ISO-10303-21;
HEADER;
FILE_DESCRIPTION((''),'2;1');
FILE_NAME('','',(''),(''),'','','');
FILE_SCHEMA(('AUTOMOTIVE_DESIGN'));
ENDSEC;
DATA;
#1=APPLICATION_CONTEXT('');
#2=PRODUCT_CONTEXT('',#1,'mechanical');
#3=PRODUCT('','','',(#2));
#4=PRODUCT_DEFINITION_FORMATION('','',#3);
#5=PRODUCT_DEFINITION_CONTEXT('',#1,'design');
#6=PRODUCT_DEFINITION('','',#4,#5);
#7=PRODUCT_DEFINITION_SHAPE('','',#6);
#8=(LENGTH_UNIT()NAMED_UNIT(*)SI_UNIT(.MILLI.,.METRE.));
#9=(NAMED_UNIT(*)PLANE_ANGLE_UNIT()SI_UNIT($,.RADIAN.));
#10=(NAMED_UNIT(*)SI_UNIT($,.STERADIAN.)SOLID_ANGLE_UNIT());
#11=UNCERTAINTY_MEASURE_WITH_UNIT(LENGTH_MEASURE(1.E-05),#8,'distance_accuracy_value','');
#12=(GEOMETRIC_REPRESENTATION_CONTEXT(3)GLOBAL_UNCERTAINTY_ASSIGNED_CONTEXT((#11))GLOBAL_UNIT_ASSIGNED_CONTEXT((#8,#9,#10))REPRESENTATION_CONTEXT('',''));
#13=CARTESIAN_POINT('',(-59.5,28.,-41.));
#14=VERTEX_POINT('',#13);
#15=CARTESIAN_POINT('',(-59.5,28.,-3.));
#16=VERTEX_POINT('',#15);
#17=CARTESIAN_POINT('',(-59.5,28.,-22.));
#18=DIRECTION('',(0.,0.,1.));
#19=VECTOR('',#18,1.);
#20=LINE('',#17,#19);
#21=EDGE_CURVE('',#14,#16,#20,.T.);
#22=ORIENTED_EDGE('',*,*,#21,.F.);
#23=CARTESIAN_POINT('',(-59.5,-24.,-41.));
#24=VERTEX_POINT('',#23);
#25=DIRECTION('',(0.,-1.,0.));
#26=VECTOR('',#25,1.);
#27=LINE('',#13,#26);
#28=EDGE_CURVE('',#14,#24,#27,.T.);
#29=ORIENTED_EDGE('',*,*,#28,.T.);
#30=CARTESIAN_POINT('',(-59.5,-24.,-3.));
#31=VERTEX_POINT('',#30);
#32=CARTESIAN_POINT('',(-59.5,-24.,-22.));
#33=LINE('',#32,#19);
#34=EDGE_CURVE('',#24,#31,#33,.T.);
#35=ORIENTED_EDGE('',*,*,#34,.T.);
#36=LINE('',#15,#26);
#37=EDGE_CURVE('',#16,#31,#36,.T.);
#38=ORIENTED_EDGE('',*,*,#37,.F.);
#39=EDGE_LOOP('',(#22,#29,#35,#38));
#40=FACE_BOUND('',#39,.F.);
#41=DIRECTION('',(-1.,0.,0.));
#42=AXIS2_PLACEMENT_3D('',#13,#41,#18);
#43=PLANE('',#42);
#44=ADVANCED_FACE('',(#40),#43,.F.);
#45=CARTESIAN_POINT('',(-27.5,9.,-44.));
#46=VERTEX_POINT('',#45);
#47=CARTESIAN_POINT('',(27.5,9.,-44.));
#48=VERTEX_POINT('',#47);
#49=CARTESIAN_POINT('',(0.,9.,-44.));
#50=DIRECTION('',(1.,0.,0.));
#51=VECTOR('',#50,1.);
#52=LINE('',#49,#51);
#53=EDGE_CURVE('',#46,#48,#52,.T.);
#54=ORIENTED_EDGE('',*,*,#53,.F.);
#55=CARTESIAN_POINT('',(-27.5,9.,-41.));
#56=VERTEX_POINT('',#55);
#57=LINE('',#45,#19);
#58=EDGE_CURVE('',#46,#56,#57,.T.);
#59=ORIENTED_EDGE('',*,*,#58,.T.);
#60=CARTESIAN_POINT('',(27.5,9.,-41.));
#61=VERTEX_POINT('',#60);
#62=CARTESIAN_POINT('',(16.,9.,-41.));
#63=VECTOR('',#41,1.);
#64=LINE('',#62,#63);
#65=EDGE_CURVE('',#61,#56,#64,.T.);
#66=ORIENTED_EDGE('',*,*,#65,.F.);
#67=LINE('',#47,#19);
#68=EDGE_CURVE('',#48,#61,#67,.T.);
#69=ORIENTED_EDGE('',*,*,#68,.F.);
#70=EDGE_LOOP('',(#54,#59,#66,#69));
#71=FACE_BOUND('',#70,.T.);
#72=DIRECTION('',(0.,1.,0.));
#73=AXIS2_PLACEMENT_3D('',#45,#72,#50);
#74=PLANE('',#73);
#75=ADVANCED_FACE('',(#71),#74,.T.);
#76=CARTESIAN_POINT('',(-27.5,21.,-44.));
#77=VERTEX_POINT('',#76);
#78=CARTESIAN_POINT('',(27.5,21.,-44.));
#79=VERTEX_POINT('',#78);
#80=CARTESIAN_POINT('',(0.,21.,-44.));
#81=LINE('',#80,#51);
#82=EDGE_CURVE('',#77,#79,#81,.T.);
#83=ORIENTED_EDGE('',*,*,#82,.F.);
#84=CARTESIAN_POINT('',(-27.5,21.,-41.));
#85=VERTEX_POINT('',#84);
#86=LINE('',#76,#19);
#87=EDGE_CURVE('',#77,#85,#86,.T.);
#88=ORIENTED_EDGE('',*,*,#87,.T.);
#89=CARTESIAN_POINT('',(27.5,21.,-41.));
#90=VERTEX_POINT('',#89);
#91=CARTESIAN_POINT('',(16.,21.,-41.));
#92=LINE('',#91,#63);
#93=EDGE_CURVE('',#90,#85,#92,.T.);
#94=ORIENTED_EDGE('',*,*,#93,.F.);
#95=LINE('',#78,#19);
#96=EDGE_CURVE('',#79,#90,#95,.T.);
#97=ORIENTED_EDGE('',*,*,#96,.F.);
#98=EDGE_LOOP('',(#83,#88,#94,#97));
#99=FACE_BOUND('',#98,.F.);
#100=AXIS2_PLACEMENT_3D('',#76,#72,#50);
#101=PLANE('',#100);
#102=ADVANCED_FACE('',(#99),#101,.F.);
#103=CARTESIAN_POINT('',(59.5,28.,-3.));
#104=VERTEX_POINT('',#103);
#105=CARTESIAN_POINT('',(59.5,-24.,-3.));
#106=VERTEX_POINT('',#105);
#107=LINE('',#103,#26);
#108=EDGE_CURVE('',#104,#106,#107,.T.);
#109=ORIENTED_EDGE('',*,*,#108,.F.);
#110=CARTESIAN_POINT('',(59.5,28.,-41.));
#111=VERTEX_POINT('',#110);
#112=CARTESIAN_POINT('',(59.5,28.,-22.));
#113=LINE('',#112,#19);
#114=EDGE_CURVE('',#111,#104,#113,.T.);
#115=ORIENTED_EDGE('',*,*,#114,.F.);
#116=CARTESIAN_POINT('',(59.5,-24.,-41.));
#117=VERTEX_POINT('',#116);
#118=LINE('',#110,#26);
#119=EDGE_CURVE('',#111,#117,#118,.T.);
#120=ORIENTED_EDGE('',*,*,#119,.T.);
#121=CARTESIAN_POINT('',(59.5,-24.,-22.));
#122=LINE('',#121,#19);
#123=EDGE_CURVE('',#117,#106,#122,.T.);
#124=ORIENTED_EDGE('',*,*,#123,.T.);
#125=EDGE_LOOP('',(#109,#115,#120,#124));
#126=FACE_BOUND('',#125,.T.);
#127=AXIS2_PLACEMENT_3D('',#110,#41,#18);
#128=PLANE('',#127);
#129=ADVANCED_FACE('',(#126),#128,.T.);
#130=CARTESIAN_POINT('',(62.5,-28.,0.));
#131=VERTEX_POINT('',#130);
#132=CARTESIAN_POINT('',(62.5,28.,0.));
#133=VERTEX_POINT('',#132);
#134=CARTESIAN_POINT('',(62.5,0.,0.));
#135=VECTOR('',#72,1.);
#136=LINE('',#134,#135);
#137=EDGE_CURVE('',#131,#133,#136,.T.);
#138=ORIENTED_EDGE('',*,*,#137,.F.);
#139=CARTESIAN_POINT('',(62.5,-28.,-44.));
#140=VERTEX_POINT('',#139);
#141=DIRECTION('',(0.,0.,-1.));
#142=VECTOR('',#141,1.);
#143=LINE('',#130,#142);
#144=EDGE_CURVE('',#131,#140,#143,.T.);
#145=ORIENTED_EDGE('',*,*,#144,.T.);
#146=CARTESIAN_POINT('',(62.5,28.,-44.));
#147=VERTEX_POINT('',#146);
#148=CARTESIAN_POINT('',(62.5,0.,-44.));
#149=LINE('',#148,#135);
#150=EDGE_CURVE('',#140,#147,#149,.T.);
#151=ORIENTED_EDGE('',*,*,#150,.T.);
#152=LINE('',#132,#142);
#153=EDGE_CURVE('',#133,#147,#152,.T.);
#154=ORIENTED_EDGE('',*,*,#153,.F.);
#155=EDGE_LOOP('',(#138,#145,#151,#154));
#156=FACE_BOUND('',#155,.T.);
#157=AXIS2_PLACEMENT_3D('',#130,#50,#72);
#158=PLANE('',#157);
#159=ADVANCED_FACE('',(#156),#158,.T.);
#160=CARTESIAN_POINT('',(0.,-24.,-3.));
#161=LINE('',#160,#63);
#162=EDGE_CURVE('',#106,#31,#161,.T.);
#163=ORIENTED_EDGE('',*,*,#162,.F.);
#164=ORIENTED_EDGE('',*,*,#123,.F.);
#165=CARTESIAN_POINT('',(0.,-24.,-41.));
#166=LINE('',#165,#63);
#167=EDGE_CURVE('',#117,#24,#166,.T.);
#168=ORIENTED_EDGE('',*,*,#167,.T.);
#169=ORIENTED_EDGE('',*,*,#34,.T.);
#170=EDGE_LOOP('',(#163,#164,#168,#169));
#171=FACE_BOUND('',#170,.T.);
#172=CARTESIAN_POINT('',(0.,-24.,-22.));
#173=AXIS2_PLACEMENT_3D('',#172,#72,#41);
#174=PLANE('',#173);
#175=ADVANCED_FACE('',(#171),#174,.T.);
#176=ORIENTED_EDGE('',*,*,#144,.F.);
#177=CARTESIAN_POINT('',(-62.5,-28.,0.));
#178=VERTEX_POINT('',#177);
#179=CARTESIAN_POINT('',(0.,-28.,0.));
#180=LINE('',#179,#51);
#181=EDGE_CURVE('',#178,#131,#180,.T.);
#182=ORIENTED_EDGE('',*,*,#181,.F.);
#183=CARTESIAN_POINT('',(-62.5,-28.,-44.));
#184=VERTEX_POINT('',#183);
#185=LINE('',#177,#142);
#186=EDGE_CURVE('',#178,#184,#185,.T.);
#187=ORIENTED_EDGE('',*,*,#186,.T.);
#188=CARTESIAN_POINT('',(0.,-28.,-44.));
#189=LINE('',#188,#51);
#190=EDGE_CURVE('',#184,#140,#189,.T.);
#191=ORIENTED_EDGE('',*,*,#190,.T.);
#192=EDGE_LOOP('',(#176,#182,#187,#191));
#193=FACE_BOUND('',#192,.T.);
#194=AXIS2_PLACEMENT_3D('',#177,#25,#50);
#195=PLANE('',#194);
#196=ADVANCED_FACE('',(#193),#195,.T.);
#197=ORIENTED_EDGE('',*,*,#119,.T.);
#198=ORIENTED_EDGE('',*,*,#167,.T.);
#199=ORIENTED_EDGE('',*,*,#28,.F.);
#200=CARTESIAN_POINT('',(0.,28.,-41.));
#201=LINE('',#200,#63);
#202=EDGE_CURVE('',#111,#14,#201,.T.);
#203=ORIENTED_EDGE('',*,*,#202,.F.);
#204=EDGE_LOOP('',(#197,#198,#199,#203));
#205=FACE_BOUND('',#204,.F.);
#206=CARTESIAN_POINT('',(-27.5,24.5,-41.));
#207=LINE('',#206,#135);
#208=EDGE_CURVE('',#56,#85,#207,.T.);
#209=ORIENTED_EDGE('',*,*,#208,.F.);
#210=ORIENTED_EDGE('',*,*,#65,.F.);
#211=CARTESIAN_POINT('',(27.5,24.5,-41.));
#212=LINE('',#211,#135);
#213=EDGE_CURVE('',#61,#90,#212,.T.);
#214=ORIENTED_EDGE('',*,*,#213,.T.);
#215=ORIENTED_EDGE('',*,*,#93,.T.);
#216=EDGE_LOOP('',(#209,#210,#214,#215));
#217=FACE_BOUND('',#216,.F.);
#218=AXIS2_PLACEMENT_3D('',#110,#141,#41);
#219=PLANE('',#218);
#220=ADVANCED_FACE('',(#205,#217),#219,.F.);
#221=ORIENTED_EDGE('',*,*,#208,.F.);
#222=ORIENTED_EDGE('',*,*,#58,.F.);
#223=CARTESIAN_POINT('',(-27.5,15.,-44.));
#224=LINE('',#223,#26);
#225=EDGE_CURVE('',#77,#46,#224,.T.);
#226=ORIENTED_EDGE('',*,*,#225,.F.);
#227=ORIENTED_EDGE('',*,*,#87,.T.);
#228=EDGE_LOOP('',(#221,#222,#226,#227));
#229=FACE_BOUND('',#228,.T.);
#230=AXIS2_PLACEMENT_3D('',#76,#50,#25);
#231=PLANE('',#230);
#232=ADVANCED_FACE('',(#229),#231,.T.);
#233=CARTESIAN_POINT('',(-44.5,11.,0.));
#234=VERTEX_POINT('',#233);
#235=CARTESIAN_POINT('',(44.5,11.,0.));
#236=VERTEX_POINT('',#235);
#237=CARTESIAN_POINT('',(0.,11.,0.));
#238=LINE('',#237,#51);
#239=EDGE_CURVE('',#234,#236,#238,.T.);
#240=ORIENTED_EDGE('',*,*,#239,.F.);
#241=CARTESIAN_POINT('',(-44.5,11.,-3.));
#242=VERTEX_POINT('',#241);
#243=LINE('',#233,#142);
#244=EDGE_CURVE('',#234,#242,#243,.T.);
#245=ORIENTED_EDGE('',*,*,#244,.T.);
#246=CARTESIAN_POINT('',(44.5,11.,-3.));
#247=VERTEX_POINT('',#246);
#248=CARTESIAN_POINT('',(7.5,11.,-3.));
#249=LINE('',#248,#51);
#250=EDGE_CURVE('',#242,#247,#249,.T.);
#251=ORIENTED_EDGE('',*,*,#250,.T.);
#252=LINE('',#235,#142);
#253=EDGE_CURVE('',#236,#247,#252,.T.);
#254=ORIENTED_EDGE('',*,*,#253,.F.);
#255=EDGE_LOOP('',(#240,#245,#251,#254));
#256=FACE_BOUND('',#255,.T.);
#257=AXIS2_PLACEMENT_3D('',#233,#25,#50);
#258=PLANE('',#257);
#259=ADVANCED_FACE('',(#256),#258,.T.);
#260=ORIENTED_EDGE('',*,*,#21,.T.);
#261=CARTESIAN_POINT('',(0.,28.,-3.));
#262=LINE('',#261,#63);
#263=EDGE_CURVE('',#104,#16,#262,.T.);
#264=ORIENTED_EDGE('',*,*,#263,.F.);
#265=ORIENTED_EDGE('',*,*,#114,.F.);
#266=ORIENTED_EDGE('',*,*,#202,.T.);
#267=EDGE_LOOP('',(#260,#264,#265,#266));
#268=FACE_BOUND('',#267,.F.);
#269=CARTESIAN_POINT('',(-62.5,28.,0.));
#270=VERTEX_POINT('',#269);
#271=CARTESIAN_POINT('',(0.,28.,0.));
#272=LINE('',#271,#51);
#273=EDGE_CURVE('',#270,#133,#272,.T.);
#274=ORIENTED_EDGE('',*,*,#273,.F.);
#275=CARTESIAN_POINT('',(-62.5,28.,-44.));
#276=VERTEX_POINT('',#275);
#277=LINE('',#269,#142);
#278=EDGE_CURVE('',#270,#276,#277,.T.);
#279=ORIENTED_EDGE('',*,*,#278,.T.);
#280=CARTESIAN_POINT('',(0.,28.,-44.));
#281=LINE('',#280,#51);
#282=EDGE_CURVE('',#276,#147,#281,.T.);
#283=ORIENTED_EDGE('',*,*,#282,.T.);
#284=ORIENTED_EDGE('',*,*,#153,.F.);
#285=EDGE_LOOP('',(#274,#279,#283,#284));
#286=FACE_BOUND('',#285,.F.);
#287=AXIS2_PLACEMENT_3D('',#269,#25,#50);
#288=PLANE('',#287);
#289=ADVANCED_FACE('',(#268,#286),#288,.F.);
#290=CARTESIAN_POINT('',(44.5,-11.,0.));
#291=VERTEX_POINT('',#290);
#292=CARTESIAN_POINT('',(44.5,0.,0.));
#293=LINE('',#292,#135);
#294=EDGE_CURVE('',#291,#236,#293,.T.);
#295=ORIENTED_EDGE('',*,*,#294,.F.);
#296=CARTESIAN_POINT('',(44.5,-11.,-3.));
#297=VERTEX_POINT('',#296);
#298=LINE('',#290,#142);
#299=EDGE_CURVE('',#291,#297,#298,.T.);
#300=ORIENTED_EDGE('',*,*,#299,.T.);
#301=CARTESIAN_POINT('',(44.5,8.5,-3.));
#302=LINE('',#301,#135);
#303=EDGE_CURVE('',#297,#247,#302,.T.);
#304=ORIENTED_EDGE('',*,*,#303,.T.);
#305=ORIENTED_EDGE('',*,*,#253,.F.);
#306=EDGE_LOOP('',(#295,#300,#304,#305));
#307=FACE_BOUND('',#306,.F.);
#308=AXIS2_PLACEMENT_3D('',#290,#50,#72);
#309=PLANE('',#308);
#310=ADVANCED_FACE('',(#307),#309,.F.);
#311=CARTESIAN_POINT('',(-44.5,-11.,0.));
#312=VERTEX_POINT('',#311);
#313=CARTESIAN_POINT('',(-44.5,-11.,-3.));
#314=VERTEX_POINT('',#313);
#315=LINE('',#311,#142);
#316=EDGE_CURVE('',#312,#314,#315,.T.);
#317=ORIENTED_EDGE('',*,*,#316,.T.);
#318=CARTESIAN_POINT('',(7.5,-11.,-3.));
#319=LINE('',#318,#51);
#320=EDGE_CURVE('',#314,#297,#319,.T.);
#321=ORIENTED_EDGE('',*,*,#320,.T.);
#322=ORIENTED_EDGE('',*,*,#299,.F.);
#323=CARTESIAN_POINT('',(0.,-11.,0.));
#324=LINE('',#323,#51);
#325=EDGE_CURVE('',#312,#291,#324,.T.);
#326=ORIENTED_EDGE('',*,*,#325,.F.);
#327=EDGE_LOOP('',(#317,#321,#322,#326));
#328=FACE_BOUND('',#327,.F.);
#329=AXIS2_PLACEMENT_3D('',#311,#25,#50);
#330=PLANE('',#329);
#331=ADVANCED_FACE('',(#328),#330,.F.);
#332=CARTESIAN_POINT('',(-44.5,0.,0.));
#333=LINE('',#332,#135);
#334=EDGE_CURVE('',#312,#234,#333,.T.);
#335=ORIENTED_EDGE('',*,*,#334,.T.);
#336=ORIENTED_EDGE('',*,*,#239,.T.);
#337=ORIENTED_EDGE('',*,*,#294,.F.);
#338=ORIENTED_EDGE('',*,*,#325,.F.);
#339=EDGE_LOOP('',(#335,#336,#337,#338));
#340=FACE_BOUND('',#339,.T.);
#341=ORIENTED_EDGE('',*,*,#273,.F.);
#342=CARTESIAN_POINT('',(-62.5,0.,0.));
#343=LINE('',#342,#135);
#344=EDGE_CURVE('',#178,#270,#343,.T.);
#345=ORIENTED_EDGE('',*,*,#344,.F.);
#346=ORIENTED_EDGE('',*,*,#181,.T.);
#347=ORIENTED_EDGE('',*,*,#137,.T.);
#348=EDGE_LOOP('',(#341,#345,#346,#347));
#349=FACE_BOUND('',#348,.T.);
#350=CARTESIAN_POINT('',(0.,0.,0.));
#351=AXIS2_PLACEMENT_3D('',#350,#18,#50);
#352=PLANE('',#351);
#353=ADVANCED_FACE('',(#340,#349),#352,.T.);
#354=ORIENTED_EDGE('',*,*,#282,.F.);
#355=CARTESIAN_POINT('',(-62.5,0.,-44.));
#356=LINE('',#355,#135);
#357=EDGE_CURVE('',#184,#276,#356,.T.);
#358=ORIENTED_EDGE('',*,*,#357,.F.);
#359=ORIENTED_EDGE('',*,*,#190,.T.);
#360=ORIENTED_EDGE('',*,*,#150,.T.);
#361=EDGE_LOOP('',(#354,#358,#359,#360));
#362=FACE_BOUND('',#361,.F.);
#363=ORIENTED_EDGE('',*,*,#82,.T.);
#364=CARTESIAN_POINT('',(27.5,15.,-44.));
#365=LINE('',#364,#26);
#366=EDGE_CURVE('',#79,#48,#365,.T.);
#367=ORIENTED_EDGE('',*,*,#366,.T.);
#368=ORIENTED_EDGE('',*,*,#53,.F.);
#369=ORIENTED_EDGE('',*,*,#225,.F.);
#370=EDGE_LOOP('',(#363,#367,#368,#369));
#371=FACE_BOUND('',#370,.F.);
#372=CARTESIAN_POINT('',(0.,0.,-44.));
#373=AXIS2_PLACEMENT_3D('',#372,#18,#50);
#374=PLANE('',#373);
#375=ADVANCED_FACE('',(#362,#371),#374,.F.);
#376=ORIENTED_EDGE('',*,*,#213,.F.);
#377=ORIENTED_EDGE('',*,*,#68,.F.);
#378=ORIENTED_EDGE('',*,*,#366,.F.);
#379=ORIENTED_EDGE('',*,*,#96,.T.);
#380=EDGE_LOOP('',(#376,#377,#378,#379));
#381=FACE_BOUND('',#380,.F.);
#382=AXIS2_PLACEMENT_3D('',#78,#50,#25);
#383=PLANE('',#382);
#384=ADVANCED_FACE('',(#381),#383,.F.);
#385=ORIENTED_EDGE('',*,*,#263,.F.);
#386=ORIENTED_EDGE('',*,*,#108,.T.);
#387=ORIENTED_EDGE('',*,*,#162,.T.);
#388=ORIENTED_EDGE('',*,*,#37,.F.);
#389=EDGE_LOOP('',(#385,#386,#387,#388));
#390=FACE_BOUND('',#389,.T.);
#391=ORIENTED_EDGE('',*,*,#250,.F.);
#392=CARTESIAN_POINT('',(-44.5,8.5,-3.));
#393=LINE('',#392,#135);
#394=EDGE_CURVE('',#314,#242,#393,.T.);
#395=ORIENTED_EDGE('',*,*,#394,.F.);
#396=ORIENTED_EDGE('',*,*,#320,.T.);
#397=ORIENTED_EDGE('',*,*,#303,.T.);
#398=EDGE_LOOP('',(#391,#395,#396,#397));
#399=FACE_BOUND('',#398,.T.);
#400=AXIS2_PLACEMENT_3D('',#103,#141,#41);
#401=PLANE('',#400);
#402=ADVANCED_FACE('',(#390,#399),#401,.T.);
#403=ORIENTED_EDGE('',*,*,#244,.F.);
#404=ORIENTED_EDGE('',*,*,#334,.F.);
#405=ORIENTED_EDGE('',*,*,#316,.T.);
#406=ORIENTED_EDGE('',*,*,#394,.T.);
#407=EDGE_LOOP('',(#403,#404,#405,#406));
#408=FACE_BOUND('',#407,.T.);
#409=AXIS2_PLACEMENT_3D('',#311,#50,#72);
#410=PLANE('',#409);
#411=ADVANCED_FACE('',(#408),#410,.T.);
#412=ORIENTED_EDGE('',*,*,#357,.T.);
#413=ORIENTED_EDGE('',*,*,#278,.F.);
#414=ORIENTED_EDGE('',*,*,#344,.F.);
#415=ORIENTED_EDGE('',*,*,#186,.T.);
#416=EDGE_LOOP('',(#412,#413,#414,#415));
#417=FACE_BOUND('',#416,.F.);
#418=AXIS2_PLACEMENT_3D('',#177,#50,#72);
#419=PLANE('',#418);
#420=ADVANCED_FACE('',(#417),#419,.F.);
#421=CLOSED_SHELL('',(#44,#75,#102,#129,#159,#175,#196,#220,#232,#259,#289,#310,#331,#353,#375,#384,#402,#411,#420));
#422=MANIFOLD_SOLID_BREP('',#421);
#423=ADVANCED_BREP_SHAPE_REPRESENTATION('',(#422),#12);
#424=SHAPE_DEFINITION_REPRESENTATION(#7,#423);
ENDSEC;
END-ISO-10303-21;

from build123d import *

# Parameters (mm, degrees)
F0_W     = 125
F0_H     = 56
F1_DEPTH = 44
F3_W     = 55
F3_H     = 12
F4_DEPTH = 13
F2_W     = 89
F2_H     = 22
F5_DEPTH = 17
F6_W     = 119
F6_H     = 38
F7_DEPTH = 52


with BuildPart() as f1:
    # F0 (on Top) → F1 (new body)
    with BuildSketch(Plane.XY):
        Rectangle(F0_W, F0_H)
    extrude(amount=-F1_DEPTH)

    # F3 (on face) → F4 (cut)
    with BuildSketch(Plane(origin=(0, 0, -44), x_dir=(1, 0, 0), z_dir=(0, 0, -1))):
        with Locations((0, -15)):
            Rectangle(F3_W, F3_H)
    extrude(amount=-F4_DEPTH, mode=Mode.SUBTRACT)

    # F2 (on face) → F5 (cut)
    with BuildSketch(Plane.XY):
        Rectangle(F2_W, F2_H)
    extrude(amount=-F5_DEPTH, mode=Mode.SUBTRACT)

    # F6 (on face) → F7 (cut)
    with BuildSketch(Plane(origin=(0, 28, 0), x_dir=(-1, 0, 0), z_dir=(0, 1, 0))):
        with Locations((0, -22)):
            Rectangle(F6_W, F6_H)
    extrude(amount=-F7_DEPTH, mode=Mode.SUBTRACT)


solid = f1.part
